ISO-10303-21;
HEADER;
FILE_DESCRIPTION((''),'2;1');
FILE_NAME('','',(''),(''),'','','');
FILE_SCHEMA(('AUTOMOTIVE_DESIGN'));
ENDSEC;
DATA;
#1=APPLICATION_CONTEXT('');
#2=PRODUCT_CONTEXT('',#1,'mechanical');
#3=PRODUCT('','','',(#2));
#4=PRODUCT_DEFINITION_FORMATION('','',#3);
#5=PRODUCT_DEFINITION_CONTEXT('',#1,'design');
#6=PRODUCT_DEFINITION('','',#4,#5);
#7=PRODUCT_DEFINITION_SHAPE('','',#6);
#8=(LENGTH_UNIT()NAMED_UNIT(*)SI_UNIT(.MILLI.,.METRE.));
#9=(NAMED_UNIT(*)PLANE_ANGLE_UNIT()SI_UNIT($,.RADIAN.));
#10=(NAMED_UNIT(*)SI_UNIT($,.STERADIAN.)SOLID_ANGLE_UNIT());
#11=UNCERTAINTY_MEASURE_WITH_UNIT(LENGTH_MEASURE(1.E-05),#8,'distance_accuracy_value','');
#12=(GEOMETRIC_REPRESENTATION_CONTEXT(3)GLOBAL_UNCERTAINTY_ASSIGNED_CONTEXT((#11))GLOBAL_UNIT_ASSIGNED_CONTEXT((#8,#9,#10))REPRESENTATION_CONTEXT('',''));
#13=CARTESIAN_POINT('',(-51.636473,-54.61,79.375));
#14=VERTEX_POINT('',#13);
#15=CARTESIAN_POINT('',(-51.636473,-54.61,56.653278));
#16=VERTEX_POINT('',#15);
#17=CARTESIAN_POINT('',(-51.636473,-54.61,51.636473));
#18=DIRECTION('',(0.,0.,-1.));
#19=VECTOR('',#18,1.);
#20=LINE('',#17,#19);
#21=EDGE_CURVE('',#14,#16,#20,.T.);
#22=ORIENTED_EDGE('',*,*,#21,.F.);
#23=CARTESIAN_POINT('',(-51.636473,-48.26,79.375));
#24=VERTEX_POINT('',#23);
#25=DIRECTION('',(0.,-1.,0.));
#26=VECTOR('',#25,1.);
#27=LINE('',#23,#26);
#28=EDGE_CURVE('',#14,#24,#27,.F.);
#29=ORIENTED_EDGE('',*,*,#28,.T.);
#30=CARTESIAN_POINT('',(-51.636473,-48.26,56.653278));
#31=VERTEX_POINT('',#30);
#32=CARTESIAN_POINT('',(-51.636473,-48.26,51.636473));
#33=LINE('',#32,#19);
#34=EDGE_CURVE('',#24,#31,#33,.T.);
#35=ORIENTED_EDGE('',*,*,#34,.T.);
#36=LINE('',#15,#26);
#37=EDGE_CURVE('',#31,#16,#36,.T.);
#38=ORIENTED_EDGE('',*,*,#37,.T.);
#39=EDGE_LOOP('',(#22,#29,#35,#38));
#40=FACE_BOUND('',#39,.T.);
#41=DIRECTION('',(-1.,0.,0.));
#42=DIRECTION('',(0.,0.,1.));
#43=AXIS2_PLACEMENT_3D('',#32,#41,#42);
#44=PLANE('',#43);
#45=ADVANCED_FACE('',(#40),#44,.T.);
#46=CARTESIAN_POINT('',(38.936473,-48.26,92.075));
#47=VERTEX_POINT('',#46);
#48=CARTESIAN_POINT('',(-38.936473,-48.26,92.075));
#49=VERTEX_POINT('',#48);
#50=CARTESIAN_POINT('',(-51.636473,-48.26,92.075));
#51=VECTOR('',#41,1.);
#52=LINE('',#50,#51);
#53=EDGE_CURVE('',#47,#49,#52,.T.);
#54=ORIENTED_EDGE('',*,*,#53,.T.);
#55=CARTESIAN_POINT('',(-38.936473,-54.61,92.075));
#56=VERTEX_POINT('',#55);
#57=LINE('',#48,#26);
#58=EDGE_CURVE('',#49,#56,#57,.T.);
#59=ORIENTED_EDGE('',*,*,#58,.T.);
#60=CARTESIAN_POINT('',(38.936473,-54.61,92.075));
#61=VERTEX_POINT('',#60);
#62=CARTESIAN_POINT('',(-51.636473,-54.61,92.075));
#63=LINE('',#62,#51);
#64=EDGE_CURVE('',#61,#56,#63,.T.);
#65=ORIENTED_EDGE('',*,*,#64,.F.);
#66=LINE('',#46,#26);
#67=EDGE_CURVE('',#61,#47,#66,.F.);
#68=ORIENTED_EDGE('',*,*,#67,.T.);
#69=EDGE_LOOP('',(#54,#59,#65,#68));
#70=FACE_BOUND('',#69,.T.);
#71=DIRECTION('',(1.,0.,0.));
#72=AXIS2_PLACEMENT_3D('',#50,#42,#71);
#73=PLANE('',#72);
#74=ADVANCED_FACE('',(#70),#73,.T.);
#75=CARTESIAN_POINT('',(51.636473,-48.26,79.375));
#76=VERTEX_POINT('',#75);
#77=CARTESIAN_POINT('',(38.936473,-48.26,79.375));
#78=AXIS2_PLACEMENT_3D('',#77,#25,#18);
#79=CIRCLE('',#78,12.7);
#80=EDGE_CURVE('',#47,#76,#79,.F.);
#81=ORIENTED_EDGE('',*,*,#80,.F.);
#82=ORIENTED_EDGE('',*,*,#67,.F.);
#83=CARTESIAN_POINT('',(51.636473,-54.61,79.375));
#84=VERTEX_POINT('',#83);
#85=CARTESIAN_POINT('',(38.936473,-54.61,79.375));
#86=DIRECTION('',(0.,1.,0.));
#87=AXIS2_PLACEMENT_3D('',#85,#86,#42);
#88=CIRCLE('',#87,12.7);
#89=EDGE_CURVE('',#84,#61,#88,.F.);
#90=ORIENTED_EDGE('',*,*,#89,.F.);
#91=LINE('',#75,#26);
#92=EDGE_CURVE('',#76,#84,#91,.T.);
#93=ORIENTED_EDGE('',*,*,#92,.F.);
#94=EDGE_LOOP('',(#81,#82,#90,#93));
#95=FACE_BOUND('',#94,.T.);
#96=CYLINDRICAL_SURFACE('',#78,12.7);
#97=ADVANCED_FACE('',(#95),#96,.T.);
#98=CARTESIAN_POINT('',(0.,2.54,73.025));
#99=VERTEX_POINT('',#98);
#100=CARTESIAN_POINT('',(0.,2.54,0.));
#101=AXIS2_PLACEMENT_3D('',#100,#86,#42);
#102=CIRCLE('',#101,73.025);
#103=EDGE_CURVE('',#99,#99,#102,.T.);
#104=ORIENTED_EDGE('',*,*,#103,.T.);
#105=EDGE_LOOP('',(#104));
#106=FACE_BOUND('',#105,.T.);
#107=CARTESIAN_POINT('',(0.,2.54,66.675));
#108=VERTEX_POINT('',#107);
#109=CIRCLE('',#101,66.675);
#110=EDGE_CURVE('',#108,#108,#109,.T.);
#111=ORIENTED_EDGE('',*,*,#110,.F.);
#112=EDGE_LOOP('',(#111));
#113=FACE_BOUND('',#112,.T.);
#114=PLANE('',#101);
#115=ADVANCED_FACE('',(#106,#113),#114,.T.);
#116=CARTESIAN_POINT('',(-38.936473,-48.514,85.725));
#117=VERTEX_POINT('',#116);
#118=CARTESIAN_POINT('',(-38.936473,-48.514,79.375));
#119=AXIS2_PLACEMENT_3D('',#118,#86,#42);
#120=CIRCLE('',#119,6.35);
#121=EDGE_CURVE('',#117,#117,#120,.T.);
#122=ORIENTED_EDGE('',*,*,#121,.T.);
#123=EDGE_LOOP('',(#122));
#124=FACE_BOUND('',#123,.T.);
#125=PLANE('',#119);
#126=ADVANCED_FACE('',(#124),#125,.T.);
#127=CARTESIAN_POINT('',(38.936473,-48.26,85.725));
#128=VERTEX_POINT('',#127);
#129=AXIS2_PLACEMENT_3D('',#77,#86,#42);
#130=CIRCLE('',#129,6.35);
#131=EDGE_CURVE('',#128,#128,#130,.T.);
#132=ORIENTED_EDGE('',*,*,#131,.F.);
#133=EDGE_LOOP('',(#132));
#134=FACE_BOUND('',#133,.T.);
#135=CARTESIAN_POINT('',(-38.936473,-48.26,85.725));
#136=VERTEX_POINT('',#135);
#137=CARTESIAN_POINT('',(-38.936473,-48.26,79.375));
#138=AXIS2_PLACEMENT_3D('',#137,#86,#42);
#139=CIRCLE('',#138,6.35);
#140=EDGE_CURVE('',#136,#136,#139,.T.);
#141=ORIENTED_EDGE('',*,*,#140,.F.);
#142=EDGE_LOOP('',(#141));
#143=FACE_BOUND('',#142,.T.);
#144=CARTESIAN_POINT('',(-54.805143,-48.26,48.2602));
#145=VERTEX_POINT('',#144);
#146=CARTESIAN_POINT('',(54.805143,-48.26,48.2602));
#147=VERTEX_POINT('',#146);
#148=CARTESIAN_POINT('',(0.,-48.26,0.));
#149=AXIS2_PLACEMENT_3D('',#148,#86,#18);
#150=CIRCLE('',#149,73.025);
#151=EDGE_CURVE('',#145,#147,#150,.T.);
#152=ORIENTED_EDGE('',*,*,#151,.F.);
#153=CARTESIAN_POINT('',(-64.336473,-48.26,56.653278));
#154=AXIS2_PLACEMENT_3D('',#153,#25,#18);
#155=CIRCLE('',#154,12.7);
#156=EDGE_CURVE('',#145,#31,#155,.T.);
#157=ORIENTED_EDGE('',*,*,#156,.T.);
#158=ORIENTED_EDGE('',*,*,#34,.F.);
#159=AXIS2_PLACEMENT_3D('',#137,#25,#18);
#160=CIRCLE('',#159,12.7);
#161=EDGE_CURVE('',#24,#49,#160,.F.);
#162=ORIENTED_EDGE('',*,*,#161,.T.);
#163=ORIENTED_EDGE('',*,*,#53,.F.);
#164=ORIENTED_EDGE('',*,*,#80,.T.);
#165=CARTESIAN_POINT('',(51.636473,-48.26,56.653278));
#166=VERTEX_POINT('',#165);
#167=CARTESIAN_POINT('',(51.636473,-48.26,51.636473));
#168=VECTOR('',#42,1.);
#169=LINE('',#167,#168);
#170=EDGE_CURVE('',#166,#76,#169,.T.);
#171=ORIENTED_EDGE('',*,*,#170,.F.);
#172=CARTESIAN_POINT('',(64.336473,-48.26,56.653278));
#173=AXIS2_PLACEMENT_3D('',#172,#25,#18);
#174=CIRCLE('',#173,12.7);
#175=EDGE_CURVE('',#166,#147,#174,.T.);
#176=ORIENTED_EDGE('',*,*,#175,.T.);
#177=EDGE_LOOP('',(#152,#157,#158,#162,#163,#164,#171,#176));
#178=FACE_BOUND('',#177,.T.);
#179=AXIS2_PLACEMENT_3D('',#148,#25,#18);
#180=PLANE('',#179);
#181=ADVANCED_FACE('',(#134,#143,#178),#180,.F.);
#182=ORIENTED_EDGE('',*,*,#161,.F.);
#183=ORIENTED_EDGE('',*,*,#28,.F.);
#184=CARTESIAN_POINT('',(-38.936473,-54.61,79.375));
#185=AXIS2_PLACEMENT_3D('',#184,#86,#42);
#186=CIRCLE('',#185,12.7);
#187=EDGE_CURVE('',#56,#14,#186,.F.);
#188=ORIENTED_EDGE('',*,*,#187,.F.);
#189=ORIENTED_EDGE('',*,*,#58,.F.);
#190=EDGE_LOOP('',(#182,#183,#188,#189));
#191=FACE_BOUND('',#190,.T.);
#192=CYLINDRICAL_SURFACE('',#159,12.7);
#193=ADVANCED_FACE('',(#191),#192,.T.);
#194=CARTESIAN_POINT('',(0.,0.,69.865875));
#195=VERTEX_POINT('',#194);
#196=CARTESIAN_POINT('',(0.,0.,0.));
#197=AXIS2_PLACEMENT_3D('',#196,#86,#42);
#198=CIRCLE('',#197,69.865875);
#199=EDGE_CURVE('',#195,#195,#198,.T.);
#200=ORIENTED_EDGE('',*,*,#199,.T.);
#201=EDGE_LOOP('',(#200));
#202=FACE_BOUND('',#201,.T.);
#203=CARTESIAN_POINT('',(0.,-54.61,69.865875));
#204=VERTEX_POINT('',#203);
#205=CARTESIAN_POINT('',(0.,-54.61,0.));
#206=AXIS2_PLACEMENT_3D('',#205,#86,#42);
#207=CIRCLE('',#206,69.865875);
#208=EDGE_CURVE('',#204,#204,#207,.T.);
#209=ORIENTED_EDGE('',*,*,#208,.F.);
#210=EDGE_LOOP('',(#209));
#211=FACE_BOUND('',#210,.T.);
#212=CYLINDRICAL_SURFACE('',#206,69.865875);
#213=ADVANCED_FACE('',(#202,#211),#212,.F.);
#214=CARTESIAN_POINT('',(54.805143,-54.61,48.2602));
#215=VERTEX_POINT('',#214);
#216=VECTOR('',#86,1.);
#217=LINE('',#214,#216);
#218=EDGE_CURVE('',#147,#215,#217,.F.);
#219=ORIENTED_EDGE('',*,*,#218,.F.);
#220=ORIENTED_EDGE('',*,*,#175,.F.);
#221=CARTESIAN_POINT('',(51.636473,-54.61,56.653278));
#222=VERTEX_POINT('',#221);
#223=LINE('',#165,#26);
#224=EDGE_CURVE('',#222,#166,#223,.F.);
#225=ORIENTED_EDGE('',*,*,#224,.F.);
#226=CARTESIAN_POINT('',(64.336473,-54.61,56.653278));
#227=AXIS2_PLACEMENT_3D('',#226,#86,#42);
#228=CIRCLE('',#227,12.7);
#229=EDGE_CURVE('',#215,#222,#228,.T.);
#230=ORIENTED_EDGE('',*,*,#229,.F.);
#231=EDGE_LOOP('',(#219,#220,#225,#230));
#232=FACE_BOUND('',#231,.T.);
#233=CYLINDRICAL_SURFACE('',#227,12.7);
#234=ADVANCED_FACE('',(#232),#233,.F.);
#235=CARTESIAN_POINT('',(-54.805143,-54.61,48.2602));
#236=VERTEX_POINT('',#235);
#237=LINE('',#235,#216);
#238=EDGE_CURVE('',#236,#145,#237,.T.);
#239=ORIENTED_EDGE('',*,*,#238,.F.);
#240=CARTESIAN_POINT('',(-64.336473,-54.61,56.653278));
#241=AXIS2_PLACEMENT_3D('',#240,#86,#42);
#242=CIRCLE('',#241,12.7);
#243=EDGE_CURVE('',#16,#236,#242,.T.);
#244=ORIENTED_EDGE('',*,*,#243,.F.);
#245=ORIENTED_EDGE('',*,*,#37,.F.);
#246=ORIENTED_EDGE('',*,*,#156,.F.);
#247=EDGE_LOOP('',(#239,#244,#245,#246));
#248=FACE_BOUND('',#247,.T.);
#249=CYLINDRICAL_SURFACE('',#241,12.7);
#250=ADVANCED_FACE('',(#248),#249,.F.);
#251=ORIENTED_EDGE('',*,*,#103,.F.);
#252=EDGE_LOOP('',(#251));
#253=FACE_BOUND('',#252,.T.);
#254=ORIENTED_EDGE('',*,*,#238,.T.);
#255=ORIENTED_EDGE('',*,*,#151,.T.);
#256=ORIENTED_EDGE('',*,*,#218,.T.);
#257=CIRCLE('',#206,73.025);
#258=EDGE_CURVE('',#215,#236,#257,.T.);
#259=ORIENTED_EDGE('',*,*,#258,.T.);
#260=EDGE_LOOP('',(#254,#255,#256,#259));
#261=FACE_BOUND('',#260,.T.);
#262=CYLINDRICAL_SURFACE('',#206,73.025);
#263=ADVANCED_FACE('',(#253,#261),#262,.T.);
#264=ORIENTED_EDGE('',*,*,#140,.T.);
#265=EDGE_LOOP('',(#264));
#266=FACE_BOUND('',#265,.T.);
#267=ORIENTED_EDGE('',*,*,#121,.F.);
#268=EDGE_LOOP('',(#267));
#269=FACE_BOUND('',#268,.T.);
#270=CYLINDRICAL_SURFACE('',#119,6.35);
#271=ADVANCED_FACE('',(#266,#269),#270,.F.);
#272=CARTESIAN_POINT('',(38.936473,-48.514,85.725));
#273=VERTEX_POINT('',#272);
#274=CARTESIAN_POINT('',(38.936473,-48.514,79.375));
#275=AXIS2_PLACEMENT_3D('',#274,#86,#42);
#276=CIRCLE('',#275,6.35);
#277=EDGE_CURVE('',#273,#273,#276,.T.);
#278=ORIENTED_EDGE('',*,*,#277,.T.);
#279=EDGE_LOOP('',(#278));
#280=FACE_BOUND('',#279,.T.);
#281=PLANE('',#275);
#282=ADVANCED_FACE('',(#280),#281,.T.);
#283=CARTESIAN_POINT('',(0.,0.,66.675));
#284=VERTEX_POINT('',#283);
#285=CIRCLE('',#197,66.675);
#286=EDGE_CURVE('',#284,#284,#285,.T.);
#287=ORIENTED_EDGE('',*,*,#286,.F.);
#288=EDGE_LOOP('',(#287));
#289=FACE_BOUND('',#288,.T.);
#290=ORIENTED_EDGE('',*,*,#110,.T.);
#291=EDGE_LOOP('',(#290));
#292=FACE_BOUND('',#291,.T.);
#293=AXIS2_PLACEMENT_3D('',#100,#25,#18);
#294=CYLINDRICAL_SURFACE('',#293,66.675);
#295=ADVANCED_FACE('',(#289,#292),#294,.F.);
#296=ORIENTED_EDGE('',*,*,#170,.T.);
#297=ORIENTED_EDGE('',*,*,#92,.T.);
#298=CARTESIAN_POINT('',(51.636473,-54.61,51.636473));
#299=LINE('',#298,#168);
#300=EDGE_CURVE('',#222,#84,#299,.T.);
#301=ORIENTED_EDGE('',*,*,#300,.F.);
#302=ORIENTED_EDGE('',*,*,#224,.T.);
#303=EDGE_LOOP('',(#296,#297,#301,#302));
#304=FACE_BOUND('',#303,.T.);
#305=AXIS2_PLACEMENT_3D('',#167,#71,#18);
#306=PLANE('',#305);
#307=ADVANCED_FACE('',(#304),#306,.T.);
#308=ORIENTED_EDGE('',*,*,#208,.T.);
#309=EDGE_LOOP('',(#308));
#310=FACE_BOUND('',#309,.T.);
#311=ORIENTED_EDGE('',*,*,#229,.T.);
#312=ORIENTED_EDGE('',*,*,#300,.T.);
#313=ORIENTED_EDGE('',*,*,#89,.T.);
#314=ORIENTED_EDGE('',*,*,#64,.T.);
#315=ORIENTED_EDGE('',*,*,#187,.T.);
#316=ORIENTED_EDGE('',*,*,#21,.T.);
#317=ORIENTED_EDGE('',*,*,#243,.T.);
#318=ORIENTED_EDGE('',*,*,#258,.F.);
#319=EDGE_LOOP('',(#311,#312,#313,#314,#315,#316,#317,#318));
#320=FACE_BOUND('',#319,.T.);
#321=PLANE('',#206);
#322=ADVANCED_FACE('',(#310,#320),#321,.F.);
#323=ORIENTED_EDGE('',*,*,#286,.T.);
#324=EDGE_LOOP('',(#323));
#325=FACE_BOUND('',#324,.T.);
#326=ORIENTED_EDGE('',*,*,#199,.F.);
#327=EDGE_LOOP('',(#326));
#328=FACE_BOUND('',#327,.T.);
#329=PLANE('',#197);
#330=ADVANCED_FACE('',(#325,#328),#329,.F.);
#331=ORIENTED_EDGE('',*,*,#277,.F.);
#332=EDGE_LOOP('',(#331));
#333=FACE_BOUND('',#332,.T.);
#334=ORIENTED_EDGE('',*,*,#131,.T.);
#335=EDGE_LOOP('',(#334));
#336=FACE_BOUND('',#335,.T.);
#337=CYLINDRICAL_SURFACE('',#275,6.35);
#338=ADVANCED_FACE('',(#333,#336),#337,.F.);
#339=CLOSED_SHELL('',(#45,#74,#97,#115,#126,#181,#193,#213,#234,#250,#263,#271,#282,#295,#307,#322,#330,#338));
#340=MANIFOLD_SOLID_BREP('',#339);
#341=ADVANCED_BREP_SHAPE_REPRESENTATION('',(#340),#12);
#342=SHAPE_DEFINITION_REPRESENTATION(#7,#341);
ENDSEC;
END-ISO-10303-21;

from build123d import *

# Parameters (mm, degrees)
SKETCH1_R           = 69.865875
SKETCH1_R_2         = 66.675
BOSS_EXTRUDE1_DEPTH = 2.54
BOSS_EXTRUDE2_START = -57.15
SKETCH2_R           = 73.025
SKETCH2_R_2         = 69.865875
BOSS_EXTRUDE2_DEPTH = 57.15
BOSS_EXTRUDE3_DEPTH = 6.35
FILLET2_R           = 12.7
SKETCH4_R           = 6.35
CUT_EXTRUDE1_DEPTH  = 0.254


with BuildPart() as part:
    # Sketch1 → Boss-Extrude1 (new body)
    with BuildSketch(Plane(origin=(0, 0, 0), x_dir=(1, 0, 0), z_dir=(0, 1, 0))):
        with Locations(Location((0, 0, 0), (0, 0, 270))):
            Circle(SKETCH1_R)
        with Locations(Location((0, 0, 0), (0, 0, 270))):
            Circle(SKETCH1_R_2, mode=Mode.SUBTRACT)
    extrude(amount=BOSS_EXTRUDE1_DEPTH)

    # Sketch2 → Boss-Extrude2 (add)
    with BuildSketch(Plane(origin=(0, 2.54, 0), x_dir=(1, 0, 0), z_dir=(0, 1, 0)).offset(BOSS_EXTRUDE2_START)):
        with Locations(Location((0, 0, 0), (0, 0, 270))):
            Circle(SKETCH2_R)
        with Locations(Location((0, 0, 0), (0, 0, 270))):
            Circle(SKETCH2_R_2, mode=Mode.SUBTRACT)
    extrude(amount=BOSS_EXTRUDE2_DEPTH)

    # Sketch3 → Boss-Extrude3 (add)
    with BuildSketch(Plane.XZ.offset(54.61)):
        with BuildLine():
            Line((-51.636472696, 51.636472696), (-51.636472696, 92.075))
            Line((-51.636472696, 92.075), (51.636472696, 92.075))
            Line((51.636472696, 92.075), (51.636472696, 51.636472696))
            ThreePointArc((51.636472696, 51.636472696), (0, 73.025), (-51.636472696, 51.636472696))
        make_face()
    extrude(amount=-BOSS_EXTRUDE3_DEPTH)

    # Fillet2
    fillet2_edges = [part.edges().sort_by_distance(p)[0] for p in [
        (51.636472696, -51.435, 51.636472696),
        (-51.636472696, -51.435, 51.636472696),
        (-51.636472696, -51.435, 92.075),
        (51.636472696, -51.435, 92.075),
    ]]
    fillet(fillet2_edges, radius=FILLET2_R)

    # Sketch4 → Cut-Extrude1 (cut)
    with BuildSketch(Plane(origin=(0, -48.26, 0), x_dir=(1, 0, 0), z_dir=(0, 1, 0))):
        with Locations(Location((-38.936472696, -79.375, 0), (0, 0, 270))):
            Circle(SKETCH4_R)
        with Locations(Location((38.936472696, -79.375, 0), (0, 0, 270))):
            Circle(SKETCH4_R)
    extrude(amount=-CUT_EXTRUDE1_DEPTH, mode=Mode.SUBTRACT)


solid = part.part
